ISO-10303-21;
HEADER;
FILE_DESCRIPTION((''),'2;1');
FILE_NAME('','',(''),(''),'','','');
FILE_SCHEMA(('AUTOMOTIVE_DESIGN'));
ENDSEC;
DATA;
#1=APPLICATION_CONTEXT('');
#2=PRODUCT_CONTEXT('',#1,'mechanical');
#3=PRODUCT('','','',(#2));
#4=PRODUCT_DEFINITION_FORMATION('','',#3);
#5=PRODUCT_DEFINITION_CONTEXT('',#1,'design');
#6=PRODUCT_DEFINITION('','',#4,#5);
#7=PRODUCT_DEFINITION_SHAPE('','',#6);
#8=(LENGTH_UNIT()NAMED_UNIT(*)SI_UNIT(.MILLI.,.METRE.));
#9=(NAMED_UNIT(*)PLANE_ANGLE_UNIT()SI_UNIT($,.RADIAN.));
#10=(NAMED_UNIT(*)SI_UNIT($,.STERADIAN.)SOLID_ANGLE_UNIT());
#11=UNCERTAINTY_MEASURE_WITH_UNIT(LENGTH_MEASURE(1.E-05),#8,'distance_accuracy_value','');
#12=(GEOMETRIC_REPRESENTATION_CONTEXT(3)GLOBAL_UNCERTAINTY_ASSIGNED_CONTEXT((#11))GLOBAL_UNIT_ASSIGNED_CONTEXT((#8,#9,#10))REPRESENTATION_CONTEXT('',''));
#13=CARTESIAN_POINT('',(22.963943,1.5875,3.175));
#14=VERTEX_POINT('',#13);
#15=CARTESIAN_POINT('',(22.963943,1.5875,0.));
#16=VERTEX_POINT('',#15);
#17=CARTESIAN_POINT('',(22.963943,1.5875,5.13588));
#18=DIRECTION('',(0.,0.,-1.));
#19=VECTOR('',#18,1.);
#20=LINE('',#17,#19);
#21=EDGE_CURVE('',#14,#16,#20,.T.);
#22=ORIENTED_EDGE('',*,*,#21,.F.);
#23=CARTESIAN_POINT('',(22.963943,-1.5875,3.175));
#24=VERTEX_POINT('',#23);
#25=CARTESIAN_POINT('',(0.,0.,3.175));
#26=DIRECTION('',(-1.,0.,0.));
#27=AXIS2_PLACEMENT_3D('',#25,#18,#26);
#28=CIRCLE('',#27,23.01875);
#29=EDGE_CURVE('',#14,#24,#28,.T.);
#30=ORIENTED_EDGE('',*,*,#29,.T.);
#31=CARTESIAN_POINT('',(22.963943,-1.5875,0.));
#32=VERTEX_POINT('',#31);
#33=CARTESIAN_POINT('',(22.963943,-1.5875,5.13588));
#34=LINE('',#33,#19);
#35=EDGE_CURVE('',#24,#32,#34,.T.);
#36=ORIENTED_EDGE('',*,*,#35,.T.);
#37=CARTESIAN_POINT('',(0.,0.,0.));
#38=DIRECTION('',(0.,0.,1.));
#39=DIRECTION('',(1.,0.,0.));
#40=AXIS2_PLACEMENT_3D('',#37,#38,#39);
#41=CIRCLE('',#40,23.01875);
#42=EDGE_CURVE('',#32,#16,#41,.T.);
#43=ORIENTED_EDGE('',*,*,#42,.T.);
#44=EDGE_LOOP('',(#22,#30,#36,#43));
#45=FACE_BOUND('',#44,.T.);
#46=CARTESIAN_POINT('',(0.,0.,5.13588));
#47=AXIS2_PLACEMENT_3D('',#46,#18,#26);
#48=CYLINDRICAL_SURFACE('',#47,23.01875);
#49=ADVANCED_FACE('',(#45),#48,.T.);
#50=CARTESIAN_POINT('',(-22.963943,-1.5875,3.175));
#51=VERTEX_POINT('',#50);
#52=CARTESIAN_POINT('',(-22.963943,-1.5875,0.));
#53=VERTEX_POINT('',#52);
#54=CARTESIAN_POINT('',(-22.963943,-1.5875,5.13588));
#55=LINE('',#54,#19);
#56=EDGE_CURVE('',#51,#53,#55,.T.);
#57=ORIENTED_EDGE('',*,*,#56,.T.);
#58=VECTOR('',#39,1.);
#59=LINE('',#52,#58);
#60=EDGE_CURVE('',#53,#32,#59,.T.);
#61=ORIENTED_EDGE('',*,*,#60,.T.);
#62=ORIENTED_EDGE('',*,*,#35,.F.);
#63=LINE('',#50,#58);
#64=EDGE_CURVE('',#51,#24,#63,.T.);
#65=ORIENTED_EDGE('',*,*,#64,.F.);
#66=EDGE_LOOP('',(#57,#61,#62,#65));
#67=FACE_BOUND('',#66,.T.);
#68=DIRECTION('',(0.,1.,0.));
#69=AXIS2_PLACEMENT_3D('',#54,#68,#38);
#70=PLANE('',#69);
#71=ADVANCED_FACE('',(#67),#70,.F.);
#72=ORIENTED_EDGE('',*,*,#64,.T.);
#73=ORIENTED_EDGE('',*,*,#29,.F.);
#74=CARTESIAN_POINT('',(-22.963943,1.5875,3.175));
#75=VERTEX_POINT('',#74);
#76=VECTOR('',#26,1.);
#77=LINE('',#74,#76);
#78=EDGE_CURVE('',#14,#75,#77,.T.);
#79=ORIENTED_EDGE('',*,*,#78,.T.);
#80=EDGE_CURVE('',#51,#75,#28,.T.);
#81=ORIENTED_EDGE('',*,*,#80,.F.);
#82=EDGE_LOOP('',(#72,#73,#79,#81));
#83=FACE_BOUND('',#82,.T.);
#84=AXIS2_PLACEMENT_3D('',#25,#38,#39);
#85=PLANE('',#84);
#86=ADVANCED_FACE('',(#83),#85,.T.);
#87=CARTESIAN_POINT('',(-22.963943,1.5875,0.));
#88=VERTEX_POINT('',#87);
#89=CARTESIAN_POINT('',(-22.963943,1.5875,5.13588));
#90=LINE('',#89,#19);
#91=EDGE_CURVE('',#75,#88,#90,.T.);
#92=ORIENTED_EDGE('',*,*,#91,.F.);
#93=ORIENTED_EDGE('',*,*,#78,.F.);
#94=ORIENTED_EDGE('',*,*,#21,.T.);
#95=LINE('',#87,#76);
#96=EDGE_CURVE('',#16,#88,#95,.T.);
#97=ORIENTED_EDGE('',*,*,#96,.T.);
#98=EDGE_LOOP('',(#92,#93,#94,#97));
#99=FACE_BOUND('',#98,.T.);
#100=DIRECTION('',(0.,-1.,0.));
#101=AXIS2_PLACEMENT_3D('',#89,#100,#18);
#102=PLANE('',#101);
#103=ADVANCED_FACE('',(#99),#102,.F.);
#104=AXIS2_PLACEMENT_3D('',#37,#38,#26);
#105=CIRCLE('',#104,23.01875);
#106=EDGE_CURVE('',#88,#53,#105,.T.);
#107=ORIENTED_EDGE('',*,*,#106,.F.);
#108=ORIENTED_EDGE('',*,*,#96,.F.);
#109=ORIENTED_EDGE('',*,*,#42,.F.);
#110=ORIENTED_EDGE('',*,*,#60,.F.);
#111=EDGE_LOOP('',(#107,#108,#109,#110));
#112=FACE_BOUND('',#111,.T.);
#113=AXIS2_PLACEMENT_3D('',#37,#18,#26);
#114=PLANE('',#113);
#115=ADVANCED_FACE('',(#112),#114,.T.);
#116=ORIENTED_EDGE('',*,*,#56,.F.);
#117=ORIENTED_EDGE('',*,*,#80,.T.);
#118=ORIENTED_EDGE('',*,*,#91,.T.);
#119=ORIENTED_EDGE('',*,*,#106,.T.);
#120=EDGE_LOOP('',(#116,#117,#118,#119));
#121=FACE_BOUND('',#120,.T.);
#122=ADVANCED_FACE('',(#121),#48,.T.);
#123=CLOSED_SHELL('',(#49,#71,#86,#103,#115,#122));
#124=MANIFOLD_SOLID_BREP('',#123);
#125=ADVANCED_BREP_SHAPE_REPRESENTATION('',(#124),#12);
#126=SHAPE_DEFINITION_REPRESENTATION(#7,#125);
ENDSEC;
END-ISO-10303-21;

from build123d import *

# Parameters (mm, degrees)
BOSS_EXTRUDE1_DEPTH = 5.13588
SKETCH2_R           = 19.84375
CUT_EXTRUDE1_DEPTH  = 1.96088
SKETCH4_W           = 53.14157338
SKETCH4_H           = 10.064691928
CUT_EXTRUDE3_DEPTH  = 4.175


with BuildPart() as part:
    # Sketch1 → Boss-Extrude1 (new body)
    with BuildSketch(Plane.XY):
        with BuildLine():
            Line((-22.963943375, -1.5875), (22.963943375, -1.5875))
            ThreePointArc((22.963943375, -1.5875), (23.01875, 0), (22.963943375, 1.5875))
            Line((22.963943375, 1.5875), (-22.963943375, 1.5875))
            ThreePointArc((-22.963943375, 1.5875), (-23.01875, 0), (-22.963943375, -1.5875))
        make_face()
    extrude(amount=BOSS_EXTRUDE1_DEPTH)

    # Sketch2 → Cut-Extrude1 (cut)
    with BuildSketch(Plane.XY.offset(5.13588)):
        Circle(SKETCH2_R)
    extrude(amount=-CUT_EXTRUDE1_DEPTH, mode=Mode.SUBTRACT)

    # Sketch4 → Cut-Extrude3 (cut, through all)
    with BuildSketch(Plane(origin=(0, 1.5875, 0), x_dir=(1, 0, 0), z_dir=(0, 1, 0))):
        with Locations((-0.065706256, -8.207345964)):
            Rectangle(SKETCH4_W, SKETCH4_H)
    extrude(amount=-CUT_EXTRUDE3_DEPTH, mode=Mode.SUBTRACT)


solid = part.part
